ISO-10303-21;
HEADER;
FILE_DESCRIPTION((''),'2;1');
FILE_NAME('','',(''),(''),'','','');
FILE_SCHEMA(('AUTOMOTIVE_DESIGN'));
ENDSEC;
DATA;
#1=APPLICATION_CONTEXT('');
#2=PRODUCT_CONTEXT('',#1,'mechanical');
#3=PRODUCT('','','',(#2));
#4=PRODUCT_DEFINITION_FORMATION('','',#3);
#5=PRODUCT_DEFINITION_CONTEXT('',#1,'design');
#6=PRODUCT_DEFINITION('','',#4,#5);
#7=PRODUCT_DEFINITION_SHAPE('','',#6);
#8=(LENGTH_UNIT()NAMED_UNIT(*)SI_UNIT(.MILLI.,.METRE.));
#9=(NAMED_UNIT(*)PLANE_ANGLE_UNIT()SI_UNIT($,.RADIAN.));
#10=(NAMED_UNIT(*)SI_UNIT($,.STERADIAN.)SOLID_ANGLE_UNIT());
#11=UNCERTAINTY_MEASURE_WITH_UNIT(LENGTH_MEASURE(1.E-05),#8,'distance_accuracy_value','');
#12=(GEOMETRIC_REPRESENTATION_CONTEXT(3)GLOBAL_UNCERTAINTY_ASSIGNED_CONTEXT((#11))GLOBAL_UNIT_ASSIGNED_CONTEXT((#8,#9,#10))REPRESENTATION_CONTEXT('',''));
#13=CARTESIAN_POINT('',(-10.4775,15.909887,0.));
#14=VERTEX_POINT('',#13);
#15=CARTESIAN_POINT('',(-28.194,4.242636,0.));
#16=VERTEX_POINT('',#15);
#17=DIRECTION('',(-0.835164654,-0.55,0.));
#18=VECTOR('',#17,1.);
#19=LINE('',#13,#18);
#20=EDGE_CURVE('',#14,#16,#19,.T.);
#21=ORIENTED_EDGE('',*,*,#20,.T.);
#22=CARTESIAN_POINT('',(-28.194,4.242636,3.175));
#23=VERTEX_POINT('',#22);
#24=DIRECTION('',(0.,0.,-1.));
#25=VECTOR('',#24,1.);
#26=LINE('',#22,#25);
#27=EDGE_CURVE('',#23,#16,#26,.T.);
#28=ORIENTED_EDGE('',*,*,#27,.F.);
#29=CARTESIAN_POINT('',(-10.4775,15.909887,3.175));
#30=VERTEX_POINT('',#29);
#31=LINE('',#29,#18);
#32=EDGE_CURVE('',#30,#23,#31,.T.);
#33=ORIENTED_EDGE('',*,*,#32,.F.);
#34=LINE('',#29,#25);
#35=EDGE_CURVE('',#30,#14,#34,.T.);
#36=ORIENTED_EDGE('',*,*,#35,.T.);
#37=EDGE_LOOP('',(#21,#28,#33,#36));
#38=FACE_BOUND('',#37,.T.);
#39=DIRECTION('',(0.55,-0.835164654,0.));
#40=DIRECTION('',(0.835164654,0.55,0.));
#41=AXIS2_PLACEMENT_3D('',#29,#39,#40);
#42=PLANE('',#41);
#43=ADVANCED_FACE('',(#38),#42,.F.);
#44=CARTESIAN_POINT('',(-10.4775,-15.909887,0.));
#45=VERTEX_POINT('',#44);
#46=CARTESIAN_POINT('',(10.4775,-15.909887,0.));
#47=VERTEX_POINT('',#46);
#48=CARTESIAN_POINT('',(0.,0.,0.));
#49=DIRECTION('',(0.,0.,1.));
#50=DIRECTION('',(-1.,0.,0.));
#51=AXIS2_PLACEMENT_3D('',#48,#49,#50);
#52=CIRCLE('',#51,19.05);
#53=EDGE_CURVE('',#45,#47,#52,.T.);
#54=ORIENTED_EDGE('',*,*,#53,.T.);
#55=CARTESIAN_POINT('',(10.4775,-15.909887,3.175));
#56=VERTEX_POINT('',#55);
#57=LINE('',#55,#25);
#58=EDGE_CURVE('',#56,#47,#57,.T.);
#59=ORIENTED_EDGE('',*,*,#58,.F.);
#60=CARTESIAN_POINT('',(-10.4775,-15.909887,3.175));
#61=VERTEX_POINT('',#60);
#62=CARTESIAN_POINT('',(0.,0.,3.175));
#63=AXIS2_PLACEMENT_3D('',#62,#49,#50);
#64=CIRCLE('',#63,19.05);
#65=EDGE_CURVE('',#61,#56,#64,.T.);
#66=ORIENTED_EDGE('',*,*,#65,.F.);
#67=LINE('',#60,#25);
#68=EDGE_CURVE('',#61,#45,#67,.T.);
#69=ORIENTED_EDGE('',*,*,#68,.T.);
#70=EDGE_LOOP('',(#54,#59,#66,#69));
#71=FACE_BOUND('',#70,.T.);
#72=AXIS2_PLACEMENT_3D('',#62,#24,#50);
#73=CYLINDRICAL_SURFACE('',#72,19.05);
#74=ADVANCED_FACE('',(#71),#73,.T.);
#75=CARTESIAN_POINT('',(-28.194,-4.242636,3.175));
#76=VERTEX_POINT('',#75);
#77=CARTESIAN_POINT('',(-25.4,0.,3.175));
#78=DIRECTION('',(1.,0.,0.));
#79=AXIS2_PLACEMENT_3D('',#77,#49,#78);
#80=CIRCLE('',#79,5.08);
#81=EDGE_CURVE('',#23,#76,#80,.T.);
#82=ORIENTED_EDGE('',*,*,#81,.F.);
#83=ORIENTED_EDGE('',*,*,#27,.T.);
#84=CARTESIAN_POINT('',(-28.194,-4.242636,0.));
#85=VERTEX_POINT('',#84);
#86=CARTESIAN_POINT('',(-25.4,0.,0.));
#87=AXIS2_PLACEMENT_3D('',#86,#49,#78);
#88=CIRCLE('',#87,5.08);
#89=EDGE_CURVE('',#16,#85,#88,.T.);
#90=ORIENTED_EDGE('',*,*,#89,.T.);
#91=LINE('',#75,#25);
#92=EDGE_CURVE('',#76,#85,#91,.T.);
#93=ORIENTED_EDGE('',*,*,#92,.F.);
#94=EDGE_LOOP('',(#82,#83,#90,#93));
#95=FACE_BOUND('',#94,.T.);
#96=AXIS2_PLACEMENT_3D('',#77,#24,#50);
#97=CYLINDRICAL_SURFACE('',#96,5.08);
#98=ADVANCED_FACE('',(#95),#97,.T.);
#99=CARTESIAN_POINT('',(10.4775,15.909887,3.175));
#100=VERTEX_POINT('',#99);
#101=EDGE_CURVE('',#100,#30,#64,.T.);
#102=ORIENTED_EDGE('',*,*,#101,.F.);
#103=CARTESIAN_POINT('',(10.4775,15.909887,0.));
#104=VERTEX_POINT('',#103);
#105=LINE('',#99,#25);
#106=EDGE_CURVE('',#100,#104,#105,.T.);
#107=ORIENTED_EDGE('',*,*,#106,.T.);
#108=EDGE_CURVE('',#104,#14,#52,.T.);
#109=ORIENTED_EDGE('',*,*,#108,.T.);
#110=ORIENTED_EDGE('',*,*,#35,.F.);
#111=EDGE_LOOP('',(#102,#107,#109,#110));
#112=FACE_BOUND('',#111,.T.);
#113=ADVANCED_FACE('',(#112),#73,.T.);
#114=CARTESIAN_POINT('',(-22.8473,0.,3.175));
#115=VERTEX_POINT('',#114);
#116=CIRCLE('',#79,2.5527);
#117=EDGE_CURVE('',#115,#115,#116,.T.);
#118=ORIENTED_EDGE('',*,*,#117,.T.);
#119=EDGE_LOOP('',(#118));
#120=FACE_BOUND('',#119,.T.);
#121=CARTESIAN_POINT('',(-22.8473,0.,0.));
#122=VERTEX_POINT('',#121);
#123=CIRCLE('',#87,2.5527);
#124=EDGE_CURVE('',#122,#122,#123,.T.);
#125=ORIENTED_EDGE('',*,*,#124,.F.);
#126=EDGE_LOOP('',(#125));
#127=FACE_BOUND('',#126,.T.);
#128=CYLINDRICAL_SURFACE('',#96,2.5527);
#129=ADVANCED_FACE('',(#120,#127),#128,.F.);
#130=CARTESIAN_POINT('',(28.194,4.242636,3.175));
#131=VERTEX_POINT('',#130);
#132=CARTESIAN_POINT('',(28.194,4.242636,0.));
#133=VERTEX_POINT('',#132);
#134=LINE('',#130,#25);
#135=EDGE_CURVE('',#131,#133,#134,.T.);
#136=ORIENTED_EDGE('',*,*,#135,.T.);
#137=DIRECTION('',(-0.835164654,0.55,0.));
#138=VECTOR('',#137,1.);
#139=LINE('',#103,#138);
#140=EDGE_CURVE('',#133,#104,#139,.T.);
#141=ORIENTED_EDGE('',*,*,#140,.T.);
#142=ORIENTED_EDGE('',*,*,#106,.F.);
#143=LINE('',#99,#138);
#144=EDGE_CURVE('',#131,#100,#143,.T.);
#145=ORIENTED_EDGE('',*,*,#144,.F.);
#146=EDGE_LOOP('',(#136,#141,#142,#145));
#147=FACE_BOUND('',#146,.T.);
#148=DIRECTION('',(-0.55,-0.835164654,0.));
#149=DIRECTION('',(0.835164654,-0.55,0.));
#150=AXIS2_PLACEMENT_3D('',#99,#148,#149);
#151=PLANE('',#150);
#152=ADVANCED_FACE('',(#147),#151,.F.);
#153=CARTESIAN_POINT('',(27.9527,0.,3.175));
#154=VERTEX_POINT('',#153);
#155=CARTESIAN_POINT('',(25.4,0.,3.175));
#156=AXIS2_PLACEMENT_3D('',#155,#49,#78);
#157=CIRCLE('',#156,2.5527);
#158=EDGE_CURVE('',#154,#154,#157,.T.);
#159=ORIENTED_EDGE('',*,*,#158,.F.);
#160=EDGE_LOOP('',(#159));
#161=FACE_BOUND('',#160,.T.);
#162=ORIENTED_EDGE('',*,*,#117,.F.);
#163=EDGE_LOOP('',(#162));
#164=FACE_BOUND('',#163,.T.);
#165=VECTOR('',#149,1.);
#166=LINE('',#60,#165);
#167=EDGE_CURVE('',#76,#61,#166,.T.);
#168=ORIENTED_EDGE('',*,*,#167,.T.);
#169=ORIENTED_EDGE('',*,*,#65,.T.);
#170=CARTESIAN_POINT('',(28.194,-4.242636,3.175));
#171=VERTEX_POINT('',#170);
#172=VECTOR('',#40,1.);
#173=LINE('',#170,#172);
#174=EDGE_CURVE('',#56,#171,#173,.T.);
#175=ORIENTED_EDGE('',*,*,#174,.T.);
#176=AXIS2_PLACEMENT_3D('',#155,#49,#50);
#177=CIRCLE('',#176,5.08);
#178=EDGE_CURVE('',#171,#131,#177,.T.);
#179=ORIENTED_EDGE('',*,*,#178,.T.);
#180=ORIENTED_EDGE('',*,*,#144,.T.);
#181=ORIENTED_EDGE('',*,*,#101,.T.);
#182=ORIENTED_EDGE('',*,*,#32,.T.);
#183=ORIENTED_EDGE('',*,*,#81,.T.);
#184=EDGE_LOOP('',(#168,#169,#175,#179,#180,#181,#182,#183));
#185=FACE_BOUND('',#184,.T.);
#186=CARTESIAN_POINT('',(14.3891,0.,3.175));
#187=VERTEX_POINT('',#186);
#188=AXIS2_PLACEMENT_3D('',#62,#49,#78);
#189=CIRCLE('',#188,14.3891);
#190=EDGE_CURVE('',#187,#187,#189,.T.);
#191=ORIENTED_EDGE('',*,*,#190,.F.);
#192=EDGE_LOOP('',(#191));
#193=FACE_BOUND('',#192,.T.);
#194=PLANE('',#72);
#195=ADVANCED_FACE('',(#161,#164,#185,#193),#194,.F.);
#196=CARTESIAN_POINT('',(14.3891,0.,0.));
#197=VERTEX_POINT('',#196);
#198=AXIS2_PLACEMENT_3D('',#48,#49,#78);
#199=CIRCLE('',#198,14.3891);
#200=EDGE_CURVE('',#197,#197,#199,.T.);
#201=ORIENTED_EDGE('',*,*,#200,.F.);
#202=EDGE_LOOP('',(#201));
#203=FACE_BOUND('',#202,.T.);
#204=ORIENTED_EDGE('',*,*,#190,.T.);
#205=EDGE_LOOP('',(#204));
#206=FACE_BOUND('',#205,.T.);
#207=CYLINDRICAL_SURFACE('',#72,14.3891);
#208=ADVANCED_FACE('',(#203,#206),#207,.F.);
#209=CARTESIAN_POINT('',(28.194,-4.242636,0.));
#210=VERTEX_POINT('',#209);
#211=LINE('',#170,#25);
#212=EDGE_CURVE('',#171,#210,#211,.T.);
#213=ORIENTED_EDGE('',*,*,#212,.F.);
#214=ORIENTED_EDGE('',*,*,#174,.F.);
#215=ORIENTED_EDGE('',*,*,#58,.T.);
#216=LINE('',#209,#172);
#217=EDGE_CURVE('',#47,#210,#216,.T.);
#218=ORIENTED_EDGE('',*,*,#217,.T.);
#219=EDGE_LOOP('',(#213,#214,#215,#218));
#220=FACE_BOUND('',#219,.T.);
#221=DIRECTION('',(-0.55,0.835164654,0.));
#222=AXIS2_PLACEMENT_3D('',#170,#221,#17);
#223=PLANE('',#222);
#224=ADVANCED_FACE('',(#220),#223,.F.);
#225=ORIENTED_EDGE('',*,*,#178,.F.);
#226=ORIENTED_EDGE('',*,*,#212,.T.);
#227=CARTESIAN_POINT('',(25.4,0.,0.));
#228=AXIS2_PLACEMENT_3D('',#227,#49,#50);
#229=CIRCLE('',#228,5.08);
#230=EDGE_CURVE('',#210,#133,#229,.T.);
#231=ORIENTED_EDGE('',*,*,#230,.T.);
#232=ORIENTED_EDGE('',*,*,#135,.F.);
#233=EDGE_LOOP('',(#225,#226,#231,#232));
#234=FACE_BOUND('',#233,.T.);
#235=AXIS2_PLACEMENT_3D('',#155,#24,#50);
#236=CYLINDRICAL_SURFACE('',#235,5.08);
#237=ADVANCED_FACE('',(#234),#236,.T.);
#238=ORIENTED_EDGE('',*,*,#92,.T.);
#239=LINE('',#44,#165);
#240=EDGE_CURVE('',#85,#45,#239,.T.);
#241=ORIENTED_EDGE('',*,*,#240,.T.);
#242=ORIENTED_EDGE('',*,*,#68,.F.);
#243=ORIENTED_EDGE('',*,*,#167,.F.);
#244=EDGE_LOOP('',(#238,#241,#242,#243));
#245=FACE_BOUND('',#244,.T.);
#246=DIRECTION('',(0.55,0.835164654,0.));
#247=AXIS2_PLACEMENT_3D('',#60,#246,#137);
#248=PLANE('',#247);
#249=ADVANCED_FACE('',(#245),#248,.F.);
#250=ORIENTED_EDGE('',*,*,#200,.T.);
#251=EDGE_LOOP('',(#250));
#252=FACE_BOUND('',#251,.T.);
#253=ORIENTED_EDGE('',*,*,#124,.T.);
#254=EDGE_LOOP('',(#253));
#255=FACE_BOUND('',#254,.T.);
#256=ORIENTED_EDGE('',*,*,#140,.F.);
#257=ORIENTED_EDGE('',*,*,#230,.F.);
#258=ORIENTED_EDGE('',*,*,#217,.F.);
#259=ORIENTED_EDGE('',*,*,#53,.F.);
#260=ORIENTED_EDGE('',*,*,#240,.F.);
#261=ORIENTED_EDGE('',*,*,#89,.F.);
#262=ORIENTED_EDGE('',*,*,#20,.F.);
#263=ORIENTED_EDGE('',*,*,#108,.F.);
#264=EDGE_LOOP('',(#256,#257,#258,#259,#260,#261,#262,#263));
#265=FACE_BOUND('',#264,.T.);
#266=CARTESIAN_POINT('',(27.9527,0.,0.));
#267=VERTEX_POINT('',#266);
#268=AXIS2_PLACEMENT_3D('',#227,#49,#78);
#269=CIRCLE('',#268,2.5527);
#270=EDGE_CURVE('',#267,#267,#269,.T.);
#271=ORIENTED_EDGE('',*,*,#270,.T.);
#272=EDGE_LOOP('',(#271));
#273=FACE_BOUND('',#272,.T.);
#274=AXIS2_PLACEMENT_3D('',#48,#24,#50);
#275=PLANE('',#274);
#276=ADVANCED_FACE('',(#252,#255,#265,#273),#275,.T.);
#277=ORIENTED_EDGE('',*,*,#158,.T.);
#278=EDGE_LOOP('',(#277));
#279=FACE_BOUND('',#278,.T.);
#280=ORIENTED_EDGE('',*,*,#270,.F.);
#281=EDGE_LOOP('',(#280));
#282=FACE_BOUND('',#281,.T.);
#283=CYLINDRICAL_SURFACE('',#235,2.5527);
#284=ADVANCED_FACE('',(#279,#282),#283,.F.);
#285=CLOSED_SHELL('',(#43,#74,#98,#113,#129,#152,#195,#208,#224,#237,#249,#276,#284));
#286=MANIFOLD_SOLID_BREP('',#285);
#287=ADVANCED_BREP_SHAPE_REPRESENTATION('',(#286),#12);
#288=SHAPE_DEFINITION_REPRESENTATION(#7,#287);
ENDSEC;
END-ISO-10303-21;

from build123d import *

# Parameters (mm, degrees)
SKETCH1_R           = 14.3891
SKETCH1_R_2         = 2.5527
BOSS_EXTRUDE1_DEPTH = 3.175


with BuildPart() as part:
    # Sketch1 → Boss-Extrude1 (new body)
    with BuildSketch(Plane.XY):
        with BuildLine():
            Line((-10.4775, 15.909886667), (-28.194, 4.242636444))
            ThreePointArc((-28.194, 4.242636444), (-30.48, 0), (-28.194, -4.242636444))
            Line((-28.194, -4.242636444), (-10.4775, -15.909886667))
            ThreePointArc((-10.4775, -15.909886667), (0, -19.05), (10.4775, -15.909886667))
            Line((10.4775, -15.909886667), (28.194, -4.242636444))
            ThreePointArc((28.194, -4.242636444), (30.48, 0), (28.194, 4.242636444))
            Line((28.194, 4.242636444), (10.4775, 15.909886667))
            ThreePointArc((10.4775, 15.909886667), (0, 19.05), (-10.4775, 15.909886667))
        make_face()
        Circle(SKETCH1_R, mode=Mode.SUBTRACT)
        with Locations((-25.4, 0)):
            Circle(SKETCH1_R_2, mode=Mode.SUBTRACT)
        with Locations((25.4, 0)):
            Circle(SKETCH1_R_2, mode=Mode.SUBTRACT)
    extrude(amount=BOSS_EXTRUDE1_DEPTH)


solid = part.part
